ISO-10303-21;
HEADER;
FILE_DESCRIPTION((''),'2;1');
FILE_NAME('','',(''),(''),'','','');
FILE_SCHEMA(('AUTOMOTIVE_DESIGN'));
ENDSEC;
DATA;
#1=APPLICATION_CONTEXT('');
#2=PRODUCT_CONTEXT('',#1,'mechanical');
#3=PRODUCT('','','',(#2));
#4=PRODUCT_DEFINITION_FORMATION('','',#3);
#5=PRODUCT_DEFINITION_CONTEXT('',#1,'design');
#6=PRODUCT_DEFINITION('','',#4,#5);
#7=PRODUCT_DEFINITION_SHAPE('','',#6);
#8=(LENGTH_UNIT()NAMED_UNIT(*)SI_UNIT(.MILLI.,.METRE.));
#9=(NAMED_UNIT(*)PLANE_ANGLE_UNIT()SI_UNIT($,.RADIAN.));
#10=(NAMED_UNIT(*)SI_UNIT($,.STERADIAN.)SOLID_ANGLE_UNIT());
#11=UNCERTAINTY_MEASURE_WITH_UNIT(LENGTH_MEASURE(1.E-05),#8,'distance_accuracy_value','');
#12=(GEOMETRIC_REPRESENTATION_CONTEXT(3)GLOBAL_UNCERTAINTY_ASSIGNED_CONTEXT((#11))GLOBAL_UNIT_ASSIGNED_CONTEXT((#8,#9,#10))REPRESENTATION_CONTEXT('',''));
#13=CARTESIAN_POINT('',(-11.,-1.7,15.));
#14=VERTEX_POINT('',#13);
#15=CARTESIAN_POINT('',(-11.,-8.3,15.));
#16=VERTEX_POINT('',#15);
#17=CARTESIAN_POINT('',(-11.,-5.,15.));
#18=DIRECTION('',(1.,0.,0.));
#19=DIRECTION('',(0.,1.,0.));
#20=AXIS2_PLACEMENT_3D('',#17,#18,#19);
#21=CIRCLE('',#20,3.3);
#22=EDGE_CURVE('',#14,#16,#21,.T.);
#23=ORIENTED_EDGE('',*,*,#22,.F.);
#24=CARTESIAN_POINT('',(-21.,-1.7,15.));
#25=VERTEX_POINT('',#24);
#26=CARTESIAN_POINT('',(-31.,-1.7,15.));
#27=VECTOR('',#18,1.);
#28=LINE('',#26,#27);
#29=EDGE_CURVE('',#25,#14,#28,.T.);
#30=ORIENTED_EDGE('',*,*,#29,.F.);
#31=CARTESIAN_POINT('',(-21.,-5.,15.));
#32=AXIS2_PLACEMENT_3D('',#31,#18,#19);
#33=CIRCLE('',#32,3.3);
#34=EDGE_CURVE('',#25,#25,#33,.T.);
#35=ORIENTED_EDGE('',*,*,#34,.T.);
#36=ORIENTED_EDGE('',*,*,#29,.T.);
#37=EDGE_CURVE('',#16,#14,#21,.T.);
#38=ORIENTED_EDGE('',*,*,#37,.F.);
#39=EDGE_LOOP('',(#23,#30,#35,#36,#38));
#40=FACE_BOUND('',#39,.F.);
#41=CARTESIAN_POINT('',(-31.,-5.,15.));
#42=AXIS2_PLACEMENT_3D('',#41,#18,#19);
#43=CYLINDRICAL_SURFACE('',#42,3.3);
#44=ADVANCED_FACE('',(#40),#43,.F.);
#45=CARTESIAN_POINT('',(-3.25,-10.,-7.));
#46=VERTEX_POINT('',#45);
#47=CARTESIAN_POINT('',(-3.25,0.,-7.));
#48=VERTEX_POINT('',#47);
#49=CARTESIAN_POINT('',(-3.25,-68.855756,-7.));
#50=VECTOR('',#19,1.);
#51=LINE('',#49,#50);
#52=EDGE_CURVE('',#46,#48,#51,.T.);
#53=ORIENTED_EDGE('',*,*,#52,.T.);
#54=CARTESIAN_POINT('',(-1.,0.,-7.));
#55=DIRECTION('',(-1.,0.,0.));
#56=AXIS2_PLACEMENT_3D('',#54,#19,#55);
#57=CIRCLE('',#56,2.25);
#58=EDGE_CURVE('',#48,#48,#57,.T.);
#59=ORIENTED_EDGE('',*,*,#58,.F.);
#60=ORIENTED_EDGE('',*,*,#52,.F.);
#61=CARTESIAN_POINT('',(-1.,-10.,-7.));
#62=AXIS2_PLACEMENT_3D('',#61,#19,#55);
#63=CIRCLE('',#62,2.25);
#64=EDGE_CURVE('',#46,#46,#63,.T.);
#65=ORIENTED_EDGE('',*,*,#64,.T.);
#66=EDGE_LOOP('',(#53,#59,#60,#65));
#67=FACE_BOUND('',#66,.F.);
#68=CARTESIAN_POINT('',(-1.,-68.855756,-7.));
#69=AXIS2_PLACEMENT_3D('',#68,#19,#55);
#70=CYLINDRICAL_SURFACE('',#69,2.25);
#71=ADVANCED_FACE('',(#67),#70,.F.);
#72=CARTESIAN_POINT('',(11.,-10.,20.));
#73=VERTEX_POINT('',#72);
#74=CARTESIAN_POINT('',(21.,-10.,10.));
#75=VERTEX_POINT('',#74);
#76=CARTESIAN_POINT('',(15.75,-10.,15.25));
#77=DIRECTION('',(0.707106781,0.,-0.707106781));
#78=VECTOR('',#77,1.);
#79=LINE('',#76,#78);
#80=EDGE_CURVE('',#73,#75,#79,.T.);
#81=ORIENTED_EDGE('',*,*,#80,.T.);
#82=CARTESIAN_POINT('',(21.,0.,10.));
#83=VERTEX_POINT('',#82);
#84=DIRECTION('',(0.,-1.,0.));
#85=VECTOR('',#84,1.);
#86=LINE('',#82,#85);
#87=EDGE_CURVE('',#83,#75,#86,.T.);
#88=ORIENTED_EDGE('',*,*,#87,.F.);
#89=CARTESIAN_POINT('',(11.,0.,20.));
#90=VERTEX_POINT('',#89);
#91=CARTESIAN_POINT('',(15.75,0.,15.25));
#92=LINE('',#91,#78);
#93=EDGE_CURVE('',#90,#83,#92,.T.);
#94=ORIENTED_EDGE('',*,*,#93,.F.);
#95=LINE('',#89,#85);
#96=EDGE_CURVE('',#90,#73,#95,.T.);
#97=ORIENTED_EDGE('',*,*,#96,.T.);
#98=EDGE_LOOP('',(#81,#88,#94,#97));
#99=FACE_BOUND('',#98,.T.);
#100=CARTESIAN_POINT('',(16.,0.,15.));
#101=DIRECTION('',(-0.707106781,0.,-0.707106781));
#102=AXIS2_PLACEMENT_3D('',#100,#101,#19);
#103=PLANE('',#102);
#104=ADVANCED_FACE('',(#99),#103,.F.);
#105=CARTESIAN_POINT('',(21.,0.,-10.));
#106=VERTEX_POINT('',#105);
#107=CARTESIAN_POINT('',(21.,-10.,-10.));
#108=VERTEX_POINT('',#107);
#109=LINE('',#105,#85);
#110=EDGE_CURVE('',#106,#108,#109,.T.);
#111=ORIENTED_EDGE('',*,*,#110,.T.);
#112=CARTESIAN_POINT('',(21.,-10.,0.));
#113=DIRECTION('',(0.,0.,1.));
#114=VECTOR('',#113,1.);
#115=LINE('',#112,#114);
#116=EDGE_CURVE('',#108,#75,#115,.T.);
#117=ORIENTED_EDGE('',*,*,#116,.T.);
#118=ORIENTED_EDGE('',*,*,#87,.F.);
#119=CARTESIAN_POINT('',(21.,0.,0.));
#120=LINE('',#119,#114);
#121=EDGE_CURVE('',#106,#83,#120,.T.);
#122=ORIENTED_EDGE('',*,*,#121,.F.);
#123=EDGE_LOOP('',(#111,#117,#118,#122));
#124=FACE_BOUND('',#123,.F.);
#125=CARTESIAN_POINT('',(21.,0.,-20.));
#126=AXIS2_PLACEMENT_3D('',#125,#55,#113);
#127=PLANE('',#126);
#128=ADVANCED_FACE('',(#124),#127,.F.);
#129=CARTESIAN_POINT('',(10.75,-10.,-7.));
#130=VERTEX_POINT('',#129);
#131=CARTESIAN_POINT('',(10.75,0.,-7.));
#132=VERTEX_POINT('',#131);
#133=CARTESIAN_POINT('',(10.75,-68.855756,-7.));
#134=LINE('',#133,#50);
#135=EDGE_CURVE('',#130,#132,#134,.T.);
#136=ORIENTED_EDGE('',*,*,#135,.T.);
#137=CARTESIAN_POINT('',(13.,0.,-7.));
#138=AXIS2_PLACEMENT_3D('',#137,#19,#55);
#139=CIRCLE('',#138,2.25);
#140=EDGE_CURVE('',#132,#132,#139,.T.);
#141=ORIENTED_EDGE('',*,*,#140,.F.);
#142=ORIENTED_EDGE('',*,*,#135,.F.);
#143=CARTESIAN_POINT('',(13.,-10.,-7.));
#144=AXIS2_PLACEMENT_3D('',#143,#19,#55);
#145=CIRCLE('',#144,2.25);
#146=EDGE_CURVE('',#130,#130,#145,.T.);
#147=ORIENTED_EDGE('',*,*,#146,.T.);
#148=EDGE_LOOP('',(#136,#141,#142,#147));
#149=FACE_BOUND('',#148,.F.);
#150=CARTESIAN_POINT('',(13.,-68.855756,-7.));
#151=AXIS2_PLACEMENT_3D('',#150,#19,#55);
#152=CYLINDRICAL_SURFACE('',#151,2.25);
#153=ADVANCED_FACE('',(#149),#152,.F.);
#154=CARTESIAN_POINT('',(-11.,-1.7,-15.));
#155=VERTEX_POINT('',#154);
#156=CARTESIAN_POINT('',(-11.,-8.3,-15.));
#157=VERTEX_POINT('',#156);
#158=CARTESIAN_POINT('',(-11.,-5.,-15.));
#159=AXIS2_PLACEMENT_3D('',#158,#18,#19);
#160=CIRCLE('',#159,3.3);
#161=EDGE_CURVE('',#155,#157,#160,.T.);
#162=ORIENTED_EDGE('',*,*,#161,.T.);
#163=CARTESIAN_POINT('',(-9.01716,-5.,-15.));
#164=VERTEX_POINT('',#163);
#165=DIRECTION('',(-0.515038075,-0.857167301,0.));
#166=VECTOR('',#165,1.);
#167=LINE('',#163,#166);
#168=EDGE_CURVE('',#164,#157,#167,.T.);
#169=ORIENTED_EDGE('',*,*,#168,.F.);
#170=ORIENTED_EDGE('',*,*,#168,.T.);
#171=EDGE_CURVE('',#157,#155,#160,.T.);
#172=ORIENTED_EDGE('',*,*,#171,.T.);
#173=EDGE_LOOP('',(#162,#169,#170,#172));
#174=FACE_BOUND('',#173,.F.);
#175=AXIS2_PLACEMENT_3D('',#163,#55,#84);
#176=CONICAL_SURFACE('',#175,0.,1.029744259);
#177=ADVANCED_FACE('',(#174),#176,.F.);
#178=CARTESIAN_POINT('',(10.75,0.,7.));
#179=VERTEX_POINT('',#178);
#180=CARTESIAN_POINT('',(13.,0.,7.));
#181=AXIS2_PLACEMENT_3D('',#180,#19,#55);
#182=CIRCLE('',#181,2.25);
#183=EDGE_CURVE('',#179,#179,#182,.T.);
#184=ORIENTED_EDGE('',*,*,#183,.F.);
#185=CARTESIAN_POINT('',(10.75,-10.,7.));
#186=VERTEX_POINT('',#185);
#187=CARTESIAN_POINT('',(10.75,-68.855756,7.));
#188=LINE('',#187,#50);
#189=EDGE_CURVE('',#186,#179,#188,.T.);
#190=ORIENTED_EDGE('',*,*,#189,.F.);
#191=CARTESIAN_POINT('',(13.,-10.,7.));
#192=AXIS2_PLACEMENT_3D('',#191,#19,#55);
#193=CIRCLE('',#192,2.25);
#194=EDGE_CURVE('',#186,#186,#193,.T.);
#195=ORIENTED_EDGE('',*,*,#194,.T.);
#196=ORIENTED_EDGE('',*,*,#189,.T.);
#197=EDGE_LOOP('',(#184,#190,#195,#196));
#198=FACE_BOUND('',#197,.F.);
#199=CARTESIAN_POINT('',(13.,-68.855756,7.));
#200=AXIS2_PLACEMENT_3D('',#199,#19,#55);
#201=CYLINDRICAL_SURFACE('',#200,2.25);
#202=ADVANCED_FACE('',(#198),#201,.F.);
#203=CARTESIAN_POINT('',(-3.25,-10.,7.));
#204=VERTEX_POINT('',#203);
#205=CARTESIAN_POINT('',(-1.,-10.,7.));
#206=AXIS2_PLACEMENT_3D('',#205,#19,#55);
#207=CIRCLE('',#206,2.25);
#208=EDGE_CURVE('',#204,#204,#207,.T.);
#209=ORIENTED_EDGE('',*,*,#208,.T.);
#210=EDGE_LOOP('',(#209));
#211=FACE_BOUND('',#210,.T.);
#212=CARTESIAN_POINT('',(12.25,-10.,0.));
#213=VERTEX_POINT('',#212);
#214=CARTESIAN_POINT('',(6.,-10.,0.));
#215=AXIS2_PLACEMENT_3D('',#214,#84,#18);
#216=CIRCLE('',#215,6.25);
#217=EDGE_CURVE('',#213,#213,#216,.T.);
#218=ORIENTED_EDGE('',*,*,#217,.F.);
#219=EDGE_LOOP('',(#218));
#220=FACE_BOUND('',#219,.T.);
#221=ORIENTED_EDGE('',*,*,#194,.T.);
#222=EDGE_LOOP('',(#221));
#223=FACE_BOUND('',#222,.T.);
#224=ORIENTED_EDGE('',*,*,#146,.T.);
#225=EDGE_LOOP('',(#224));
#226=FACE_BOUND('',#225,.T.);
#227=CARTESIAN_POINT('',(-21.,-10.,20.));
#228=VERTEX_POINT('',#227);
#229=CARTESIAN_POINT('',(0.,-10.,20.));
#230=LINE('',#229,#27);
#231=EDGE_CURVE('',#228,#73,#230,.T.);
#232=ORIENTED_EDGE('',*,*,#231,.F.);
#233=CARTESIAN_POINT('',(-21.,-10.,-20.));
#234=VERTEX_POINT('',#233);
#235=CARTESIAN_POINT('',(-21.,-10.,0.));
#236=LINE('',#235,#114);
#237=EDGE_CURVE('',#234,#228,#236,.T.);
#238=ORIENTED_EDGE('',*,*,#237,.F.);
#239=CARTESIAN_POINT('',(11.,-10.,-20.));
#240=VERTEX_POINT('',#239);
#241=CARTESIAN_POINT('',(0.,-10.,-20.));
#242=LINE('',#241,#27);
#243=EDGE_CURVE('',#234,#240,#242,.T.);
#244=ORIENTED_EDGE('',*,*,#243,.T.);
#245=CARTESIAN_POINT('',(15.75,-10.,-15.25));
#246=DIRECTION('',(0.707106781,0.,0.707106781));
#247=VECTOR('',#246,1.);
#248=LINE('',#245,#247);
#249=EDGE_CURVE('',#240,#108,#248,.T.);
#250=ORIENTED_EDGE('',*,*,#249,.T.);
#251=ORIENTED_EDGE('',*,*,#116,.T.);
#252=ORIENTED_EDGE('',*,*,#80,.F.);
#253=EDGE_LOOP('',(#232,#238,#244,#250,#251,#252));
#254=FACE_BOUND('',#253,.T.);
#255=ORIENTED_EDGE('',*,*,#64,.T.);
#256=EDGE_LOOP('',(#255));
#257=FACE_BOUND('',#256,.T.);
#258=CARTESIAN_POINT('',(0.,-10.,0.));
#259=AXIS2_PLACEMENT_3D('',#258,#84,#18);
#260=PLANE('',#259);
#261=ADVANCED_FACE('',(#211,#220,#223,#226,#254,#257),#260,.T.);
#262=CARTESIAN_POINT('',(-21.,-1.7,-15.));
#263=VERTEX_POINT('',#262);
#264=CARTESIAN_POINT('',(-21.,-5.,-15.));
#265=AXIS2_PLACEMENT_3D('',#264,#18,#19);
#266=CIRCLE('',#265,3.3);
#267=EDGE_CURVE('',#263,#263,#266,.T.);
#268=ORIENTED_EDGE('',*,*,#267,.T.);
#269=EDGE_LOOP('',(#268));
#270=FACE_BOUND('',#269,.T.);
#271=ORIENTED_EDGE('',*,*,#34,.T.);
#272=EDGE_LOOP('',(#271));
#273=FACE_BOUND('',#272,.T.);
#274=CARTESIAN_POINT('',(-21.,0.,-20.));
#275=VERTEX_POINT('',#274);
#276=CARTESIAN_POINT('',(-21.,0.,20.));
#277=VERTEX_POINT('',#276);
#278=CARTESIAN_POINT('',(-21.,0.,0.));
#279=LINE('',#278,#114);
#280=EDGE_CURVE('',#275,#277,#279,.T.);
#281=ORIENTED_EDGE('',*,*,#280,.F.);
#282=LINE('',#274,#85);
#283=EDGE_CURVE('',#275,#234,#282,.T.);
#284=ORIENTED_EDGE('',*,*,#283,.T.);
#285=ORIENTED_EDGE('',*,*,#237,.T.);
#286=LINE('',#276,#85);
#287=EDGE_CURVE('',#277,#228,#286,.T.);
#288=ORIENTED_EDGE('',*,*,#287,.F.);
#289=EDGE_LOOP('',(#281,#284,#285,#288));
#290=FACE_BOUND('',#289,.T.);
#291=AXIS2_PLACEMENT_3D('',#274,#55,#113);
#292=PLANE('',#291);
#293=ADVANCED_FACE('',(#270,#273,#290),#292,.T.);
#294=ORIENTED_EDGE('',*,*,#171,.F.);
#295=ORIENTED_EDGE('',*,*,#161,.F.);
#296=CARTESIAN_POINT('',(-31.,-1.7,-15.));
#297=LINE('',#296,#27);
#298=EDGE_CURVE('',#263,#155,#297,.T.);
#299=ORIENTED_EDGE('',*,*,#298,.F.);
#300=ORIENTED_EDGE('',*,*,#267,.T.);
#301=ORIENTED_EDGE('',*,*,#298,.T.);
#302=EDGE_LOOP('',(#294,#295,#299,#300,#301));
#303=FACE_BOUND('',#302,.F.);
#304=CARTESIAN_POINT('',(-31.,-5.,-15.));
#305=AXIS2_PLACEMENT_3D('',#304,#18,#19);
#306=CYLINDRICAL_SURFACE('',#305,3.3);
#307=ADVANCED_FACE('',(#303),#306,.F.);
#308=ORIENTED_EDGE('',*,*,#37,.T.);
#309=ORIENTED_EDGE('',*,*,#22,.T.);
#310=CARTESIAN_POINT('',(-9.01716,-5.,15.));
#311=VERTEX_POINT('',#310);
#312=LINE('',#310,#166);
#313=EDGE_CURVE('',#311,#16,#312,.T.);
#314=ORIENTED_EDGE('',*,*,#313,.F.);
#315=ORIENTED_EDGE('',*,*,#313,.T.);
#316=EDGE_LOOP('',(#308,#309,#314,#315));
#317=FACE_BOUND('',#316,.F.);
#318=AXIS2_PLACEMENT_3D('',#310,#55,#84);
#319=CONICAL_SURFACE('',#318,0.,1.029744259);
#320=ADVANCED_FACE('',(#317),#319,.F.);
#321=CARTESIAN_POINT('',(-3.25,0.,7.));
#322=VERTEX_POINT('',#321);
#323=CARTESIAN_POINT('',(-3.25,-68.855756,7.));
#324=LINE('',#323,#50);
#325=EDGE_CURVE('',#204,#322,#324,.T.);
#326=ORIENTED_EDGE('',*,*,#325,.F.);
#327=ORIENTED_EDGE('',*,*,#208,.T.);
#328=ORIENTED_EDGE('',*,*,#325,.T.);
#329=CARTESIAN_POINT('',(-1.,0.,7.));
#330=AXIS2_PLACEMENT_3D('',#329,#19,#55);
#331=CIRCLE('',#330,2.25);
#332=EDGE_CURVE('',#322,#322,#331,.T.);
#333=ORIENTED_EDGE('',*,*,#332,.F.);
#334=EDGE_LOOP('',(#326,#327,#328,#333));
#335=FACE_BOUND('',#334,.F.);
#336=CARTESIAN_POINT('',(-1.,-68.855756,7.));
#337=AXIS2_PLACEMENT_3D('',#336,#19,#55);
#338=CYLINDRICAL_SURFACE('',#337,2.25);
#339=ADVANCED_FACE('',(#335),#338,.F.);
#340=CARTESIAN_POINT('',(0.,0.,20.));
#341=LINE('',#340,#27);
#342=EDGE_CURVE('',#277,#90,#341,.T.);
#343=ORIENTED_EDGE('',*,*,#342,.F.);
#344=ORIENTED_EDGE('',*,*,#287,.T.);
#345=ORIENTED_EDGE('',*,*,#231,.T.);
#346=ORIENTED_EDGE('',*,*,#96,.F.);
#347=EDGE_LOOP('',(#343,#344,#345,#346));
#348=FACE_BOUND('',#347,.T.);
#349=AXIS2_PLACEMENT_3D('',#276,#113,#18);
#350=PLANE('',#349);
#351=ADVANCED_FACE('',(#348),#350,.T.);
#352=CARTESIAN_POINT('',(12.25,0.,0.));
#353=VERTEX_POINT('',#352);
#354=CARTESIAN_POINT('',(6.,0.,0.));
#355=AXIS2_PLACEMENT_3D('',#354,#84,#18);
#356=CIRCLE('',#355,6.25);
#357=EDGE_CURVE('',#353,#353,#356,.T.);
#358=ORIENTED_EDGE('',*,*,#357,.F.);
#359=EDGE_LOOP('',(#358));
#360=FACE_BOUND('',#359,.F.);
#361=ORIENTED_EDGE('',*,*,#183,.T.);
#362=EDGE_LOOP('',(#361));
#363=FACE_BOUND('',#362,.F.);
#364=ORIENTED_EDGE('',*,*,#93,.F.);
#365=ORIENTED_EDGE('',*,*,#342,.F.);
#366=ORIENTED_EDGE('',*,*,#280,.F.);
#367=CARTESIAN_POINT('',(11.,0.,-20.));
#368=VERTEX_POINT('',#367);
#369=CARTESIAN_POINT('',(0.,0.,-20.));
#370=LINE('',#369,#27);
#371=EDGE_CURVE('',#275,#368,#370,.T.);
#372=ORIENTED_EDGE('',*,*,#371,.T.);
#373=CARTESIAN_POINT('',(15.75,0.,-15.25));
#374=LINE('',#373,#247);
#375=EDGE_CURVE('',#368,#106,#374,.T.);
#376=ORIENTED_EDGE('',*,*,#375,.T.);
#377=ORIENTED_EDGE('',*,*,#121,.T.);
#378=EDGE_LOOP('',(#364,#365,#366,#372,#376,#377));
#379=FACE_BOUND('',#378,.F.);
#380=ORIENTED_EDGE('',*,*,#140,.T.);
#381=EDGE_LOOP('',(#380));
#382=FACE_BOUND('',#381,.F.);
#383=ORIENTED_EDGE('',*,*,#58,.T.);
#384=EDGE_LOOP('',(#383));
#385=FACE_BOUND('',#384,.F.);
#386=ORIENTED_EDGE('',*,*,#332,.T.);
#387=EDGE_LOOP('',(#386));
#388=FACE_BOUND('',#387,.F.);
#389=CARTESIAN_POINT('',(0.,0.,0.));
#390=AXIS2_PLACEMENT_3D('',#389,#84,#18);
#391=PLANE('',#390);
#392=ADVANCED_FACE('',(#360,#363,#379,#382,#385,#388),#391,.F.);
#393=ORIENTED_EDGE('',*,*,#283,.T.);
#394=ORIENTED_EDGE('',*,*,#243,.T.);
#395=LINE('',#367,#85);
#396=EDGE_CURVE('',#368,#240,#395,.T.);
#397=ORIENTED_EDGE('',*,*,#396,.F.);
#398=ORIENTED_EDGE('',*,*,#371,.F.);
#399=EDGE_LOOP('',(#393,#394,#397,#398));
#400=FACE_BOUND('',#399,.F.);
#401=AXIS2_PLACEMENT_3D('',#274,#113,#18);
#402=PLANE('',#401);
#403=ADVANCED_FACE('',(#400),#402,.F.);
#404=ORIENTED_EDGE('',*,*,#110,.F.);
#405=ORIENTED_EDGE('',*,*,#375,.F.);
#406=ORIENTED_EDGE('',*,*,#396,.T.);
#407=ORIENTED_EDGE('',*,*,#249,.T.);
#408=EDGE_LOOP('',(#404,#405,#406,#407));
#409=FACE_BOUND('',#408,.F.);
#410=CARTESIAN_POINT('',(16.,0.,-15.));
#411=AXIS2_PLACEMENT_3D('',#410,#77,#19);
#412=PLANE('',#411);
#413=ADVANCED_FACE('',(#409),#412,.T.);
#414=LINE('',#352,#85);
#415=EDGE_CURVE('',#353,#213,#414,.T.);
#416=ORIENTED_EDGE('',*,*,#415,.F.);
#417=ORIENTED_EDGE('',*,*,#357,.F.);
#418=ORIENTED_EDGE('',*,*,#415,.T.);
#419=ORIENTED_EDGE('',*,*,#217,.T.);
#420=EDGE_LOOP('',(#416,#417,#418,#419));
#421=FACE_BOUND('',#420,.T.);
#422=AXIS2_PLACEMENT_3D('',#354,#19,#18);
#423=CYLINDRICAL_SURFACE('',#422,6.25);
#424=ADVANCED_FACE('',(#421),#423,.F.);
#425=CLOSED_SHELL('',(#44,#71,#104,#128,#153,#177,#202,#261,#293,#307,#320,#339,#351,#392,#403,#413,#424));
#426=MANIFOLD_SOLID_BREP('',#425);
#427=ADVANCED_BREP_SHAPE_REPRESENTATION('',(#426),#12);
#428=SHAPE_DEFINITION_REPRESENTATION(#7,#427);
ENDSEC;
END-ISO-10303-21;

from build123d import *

# Parameters (mm, degrees)
F0_W     = 42
F0_H     = 40
F0_R     = 6.25
F1_DEPTH = 10
F2_SIZE  = 10
F4_D     = 4.5
F6_D     = 6.6
F6_DEPTH = 10
F6_TIP   = 1.9828400428


with BuildPart() as f1:
    # F0 (on Front) → F1 (new body)
    with BuildSketch(Plane.XZ):
        Rectangle(F0_W, F0_H)
        with Locations((6, 0)):
            Circle(F0_R, mode=Mode.SUBTRACT)
    extrude(amount=F1_DEPTH)

    # F2
    f2_edges = [f1.edges().sort_by_distance(p)[0] for p in [
        (21, -5, 20),
        (21, -5, -20),
    ]]
    chamfer(f2_edges, length=F2_SIZE)

    # F4 (through all)
    with Locations(Plane.XZ.offset(10)):
        with Locations((-1, 7), (-1, -7), (13, -7), (13, 7)):
            Hole(F4_D / 2)

    # F6
    with Locations(Plane(origin=(-21, 0, 0), x_dir=(0, -1, 0), z_dir=(-1, 0, 0))):
        with Locations((5, 15), (5, -15)):
            Hole(F6_D / 2, depth=F6_DEPTH)
            with Locations((0, 0, -(F6_DEPTH + F6_TIP / 2))):  # 118° drill point
                Cone(0, F6_D / 2, F6_TIP, mode=Mode.SUBTRACT)


solid = f1.part
